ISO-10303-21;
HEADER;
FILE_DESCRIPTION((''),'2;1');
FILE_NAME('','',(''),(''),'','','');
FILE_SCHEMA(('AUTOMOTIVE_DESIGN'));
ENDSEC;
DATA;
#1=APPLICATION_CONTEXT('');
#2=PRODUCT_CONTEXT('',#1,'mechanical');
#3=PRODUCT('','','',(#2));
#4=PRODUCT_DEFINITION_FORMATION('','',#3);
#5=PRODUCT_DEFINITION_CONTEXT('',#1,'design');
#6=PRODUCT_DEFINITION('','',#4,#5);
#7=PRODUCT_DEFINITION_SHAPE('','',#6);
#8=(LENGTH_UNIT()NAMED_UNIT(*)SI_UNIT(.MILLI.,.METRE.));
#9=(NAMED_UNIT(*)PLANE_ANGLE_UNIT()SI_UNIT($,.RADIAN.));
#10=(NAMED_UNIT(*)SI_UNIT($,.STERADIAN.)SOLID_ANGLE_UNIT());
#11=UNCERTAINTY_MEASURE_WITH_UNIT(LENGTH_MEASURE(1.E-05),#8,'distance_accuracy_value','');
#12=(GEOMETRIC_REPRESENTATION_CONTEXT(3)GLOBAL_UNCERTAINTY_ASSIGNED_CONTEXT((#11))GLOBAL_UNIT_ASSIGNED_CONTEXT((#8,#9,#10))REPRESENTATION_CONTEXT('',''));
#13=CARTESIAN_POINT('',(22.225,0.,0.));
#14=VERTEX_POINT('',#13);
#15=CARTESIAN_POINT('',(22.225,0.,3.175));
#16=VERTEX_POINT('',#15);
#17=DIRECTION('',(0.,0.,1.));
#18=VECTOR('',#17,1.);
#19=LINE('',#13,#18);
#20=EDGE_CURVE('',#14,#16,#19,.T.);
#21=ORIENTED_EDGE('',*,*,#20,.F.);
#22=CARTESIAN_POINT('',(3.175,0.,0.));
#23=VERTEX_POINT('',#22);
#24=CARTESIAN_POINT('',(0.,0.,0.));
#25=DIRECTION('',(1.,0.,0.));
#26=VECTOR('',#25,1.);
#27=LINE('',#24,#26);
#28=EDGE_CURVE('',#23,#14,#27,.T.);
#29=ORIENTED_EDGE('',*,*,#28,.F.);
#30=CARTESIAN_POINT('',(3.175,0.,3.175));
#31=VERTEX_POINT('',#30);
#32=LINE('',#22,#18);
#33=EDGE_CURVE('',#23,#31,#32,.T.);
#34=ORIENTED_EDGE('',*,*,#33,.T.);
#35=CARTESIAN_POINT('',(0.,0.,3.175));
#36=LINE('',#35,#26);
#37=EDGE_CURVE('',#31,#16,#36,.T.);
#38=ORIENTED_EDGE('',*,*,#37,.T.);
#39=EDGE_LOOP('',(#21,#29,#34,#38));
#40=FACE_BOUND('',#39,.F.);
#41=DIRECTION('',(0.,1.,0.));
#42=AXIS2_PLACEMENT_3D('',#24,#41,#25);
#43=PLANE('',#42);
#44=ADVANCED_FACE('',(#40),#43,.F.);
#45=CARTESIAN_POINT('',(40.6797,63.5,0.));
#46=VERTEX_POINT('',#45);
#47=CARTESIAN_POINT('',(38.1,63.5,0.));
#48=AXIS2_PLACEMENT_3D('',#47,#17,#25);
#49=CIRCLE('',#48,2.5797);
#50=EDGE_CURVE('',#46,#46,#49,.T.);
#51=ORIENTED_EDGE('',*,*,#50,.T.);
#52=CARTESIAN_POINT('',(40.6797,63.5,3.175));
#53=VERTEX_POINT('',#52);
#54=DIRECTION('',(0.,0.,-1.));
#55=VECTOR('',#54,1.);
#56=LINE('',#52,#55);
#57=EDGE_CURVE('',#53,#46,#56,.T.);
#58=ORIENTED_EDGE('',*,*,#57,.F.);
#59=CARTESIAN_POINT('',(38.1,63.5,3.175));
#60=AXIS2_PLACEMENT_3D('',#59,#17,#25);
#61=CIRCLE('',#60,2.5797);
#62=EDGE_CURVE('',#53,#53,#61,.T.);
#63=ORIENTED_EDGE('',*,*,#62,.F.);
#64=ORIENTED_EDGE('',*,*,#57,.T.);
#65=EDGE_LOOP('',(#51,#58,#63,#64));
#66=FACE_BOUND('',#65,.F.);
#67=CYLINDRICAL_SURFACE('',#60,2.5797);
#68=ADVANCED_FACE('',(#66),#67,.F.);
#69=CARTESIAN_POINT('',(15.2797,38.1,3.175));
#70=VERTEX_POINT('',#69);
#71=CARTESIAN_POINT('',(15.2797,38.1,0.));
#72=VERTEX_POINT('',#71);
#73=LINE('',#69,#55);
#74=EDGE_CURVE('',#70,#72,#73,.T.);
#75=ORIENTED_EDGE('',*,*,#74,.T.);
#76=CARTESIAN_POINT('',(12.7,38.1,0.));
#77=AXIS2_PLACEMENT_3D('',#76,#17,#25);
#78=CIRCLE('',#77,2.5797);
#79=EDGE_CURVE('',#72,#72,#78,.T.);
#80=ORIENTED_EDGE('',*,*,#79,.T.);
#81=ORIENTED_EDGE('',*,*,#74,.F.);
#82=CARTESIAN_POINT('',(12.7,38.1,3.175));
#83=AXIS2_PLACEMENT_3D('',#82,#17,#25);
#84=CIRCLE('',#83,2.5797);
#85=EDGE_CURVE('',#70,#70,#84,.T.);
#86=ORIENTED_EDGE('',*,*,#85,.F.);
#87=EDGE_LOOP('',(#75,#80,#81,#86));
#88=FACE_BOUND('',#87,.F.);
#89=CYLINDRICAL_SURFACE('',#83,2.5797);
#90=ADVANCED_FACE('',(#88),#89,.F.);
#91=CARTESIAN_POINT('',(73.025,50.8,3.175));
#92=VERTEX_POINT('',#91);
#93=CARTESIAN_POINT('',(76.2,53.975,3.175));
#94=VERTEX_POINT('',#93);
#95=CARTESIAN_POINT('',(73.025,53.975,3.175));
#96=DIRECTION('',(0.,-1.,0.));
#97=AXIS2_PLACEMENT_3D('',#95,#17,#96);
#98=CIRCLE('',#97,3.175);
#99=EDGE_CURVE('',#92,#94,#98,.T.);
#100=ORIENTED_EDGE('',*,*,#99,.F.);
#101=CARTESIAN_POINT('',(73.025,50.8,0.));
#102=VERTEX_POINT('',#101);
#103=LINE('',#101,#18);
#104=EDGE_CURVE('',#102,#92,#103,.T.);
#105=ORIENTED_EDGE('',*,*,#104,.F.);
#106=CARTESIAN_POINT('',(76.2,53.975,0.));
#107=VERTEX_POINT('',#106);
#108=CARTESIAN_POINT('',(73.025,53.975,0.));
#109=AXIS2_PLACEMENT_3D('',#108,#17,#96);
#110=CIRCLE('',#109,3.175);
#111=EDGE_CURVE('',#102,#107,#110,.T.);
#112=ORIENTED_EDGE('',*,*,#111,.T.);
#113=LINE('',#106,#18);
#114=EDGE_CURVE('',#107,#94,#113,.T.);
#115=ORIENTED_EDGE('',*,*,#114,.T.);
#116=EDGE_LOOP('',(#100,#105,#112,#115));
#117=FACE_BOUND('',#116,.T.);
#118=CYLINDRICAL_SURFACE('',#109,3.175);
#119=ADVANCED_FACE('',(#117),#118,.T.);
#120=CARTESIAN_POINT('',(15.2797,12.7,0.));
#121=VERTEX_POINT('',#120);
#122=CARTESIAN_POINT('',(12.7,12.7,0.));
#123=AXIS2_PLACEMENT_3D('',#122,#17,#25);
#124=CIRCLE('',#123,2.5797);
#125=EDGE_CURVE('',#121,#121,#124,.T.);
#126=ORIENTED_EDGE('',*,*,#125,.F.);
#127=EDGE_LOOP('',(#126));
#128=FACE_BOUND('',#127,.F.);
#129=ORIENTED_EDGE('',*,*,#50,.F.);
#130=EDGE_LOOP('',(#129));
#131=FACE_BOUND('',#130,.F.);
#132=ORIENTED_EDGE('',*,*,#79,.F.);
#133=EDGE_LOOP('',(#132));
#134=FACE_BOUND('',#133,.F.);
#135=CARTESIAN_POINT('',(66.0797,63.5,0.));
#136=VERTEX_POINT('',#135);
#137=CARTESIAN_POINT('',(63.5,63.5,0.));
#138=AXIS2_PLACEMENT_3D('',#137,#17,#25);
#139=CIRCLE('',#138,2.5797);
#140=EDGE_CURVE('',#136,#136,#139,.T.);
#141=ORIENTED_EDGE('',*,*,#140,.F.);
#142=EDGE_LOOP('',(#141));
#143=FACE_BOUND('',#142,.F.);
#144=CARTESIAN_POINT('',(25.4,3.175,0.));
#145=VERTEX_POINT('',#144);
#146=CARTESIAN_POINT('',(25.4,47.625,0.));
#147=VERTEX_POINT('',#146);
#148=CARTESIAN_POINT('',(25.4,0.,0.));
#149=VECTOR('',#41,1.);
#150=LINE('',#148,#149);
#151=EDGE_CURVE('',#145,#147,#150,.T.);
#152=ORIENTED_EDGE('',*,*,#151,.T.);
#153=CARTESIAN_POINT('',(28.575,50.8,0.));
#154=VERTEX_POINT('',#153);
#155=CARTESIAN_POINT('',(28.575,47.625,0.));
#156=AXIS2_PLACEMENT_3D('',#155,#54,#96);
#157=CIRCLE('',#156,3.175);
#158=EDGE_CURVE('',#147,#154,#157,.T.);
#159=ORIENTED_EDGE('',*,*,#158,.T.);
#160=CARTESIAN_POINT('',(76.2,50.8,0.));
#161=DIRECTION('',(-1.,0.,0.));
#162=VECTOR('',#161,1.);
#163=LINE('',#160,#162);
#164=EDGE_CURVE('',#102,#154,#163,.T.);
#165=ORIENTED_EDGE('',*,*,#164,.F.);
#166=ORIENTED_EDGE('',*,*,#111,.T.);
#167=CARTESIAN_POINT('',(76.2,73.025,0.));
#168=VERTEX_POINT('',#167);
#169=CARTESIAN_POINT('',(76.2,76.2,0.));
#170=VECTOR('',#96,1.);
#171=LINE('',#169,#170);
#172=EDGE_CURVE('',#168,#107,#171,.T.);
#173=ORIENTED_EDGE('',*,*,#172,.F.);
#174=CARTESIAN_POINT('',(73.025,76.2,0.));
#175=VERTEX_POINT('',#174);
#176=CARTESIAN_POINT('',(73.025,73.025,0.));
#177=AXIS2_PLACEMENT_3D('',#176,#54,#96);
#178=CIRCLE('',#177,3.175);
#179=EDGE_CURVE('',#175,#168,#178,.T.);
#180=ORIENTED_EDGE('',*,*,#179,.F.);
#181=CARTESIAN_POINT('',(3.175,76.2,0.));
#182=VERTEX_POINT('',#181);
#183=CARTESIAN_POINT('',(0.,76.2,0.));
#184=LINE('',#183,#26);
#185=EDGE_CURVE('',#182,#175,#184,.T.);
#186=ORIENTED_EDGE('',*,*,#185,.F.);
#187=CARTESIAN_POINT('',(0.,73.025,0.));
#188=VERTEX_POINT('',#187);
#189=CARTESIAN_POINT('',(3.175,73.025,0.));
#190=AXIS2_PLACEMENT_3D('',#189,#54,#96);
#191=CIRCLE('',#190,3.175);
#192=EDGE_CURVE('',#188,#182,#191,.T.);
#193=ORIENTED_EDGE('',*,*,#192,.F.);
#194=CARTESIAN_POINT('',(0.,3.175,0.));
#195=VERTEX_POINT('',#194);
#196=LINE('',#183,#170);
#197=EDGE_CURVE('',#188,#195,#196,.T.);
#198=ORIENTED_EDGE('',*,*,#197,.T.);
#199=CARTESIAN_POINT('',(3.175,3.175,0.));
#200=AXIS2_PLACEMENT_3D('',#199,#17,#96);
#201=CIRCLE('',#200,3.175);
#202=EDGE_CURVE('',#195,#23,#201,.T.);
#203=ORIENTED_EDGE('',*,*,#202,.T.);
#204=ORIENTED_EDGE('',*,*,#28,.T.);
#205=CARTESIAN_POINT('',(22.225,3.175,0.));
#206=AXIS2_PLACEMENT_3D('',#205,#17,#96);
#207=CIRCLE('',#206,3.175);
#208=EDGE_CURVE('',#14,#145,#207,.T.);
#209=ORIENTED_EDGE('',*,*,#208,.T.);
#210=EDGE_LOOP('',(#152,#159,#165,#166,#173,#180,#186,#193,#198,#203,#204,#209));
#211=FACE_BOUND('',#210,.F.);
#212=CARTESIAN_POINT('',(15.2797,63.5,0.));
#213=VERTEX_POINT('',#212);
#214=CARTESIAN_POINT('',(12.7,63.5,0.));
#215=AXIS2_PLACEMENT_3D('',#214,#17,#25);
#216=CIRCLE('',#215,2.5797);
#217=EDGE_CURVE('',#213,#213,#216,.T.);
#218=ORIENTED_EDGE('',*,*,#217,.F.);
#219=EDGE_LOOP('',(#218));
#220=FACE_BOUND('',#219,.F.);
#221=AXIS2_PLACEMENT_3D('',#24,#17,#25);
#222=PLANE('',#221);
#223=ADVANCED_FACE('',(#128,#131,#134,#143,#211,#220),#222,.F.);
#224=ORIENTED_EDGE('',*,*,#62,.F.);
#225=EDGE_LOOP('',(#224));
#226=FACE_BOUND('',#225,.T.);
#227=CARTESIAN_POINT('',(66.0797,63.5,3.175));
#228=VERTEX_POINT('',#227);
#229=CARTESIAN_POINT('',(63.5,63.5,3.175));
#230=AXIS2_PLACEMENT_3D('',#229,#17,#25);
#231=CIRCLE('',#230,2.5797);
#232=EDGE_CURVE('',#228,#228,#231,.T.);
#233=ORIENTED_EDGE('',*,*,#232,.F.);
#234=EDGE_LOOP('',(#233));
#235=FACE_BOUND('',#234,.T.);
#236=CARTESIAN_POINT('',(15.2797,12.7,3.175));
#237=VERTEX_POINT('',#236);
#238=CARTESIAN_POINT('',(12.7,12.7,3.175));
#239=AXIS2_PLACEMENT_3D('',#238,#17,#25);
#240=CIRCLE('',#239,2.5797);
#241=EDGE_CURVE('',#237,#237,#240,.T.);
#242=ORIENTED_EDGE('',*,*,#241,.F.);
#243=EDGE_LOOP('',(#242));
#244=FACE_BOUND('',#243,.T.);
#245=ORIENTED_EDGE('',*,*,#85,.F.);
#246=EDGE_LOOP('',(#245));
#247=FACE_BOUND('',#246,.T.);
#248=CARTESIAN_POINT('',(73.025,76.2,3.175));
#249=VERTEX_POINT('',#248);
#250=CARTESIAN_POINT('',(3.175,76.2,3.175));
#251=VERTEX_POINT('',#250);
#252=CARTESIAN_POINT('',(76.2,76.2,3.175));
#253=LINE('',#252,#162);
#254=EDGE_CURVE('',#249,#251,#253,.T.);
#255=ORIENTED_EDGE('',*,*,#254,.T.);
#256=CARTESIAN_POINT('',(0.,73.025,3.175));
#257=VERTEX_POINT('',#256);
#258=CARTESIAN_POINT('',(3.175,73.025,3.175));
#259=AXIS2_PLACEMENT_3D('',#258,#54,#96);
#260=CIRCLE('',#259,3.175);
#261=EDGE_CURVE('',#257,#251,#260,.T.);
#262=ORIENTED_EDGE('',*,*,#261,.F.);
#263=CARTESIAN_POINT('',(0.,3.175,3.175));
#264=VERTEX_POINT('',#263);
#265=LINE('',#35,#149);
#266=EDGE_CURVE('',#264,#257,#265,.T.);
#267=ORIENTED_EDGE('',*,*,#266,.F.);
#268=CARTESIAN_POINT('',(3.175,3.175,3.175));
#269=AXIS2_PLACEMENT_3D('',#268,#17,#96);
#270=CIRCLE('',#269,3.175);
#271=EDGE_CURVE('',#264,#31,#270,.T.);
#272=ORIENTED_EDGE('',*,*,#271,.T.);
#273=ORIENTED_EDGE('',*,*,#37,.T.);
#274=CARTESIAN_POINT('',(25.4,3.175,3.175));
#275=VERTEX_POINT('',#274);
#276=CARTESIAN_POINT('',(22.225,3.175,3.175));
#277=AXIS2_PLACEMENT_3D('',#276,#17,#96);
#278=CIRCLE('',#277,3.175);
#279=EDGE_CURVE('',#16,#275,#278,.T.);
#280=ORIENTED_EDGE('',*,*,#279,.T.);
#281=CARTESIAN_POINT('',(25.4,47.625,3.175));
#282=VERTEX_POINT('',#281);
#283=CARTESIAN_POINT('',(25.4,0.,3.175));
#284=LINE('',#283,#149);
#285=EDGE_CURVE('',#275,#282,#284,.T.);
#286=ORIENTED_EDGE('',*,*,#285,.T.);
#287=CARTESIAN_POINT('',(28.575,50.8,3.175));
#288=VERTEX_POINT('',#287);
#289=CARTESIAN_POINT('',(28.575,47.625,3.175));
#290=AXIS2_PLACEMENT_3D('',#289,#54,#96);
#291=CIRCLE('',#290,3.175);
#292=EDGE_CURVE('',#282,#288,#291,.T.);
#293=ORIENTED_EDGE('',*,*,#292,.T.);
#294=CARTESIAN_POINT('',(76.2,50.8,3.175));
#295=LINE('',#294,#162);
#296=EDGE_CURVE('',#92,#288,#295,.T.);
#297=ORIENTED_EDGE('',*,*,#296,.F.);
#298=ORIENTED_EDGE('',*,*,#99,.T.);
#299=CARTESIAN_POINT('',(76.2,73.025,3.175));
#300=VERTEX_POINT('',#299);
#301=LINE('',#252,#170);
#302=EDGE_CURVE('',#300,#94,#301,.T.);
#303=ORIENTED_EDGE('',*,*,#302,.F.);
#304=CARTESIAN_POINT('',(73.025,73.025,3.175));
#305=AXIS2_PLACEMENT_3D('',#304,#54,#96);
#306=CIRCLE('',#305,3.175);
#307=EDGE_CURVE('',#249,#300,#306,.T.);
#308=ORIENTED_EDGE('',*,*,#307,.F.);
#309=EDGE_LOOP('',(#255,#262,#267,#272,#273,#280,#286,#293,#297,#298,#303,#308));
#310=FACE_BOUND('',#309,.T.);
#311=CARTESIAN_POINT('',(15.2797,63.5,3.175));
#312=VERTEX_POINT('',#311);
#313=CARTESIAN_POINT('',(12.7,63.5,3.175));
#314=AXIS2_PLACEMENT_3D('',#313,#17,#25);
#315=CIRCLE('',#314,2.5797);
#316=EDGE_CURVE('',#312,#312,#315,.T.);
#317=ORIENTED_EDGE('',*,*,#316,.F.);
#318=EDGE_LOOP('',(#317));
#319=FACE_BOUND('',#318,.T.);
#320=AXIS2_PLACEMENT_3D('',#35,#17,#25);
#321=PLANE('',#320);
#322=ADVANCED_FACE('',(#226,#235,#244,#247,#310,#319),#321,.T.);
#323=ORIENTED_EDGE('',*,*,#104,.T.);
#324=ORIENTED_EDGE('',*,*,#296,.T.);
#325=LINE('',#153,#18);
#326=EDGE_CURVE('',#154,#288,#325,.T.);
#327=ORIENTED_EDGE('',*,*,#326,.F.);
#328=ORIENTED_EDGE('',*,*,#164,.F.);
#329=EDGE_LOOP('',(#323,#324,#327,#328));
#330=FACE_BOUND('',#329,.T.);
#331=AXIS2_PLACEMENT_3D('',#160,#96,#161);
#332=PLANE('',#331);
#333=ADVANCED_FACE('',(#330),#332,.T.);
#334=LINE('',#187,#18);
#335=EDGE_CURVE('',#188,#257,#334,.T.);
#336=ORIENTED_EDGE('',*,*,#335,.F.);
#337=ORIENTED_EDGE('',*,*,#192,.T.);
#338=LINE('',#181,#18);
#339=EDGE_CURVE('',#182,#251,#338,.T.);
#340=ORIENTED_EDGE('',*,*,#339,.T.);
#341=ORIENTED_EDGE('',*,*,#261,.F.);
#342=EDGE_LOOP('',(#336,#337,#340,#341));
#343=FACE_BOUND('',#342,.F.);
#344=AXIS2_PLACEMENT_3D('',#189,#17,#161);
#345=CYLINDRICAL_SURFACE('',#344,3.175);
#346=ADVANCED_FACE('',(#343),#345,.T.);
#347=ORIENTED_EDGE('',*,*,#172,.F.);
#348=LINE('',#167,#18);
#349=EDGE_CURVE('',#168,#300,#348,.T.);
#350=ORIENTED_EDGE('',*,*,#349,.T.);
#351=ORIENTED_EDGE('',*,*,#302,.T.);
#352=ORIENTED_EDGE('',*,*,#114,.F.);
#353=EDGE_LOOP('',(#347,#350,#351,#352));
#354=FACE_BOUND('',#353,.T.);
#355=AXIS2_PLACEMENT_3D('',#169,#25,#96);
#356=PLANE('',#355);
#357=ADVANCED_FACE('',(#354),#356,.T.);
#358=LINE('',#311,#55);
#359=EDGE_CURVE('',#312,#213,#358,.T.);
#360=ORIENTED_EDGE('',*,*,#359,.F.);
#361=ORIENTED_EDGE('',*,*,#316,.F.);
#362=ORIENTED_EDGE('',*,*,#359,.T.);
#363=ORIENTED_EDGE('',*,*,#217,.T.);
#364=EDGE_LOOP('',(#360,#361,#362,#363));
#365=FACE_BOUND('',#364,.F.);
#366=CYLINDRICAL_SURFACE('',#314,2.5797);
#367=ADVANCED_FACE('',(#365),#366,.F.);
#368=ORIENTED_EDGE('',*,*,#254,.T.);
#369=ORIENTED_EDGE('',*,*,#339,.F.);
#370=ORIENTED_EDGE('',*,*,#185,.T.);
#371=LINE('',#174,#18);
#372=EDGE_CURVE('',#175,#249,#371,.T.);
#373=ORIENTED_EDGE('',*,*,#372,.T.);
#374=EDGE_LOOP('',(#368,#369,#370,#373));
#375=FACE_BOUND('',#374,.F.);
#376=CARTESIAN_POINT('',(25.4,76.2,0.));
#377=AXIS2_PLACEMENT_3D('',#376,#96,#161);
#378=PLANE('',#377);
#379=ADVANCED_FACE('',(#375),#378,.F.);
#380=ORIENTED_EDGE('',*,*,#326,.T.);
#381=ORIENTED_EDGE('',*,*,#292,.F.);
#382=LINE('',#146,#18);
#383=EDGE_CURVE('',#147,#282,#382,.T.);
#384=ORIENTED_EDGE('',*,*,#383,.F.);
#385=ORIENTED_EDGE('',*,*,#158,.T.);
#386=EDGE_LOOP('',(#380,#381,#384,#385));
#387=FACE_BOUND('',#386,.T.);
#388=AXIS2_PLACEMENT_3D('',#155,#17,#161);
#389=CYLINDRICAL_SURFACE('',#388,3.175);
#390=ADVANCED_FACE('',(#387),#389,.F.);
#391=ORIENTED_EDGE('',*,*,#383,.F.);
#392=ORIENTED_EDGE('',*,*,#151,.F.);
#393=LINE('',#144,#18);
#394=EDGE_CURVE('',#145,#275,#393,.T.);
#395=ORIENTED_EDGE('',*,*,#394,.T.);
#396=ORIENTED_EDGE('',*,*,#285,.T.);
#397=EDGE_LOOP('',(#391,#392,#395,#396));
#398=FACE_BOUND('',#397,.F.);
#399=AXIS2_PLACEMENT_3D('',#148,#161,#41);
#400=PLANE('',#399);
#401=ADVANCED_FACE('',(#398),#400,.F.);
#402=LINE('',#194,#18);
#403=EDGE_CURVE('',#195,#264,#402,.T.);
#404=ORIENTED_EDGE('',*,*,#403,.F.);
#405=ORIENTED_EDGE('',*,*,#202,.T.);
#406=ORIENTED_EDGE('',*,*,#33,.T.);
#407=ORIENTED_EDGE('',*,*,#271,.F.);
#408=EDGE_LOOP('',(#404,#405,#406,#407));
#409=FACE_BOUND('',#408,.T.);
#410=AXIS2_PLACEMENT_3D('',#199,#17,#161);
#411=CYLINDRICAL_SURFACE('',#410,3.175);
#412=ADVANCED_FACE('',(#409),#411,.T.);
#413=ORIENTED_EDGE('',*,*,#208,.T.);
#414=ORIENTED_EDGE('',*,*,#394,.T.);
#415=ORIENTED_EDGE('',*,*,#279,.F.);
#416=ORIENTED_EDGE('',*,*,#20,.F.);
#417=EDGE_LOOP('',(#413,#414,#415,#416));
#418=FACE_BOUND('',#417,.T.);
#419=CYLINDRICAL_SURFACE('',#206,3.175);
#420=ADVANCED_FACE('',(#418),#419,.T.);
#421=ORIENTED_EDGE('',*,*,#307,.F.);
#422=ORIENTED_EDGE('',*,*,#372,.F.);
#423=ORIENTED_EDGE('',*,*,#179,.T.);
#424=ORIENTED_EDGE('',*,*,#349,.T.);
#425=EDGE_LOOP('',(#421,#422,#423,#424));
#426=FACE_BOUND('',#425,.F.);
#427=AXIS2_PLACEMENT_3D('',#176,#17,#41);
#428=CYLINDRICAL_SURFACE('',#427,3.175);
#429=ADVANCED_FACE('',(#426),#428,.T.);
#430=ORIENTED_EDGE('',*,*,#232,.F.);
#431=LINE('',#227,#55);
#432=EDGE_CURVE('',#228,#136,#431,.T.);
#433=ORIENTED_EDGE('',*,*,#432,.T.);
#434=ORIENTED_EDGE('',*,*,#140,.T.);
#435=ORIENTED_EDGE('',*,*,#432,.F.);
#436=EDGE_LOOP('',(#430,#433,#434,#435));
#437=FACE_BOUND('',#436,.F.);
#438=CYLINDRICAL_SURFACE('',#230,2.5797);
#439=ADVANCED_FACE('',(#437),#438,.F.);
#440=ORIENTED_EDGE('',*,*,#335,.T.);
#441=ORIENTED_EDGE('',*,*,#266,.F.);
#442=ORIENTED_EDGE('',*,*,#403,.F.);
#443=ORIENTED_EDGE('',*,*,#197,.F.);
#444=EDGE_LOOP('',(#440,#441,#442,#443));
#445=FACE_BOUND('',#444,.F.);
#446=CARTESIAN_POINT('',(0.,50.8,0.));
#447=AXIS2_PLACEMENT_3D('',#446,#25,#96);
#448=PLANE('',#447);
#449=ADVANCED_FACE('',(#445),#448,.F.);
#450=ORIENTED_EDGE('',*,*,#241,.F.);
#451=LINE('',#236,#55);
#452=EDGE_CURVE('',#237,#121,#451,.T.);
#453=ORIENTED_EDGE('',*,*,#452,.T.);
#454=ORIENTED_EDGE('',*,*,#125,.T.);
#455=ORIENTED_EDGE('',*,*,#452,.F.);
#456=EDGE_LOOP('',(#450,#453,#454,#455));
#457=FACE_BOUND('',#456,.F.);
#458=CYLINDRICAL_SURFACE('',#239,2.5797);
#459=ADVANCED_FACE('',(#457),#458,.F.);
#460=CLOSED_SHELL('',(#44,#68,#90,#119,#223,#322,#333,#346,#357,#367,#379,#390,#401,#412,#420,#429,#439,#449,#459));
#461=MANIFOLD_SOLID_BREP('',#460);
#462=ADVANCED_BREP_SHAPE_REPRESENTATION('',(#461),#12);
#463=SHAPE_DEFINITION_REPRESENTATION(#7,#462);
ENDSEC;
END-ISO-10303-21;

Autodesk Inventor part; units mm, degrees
ref_plane "YZ Plane" through (0, 0, 0) normal (1, 0, 0) x (0, 1, 0)
ref_plane "XZ Plane" through (0, 0, 0) normal (0, 1, 0) x (-1, 0, 0)
ref_plane "XY Plane" through (0, 0, 0) normal (0, 0, 1) x (1, 0, 0)
sketch "Sketch1" plane through (0, 0, 0) normal (0, 0, 1) x (1, 0, 0)
  line L0 (0, 0) -> (25.4, 0)
  line L1 (25.4, 0) -> (25.4, 76.2)
  line L2 (25.4, 76.2) -> (0, 76.2)
  line L3 (0, 76.2) -> (0, 0)
  line L4 (0, 76.2) -> (76.2, 76.2)
  line L5 (76.2, 76.2) -> (76.2, 50.8)
  line L6 (76.2, 50.8) -> (0, 50.8)
  line L7 (0, 50.8) -> (0, 76.2)
  dimension "d0" = 25.4
  dimension "d1" = 76.2
  dimension "d2" = 76.2
  dimension "d3" = 25.4
extrude "Extrusion1" add sketch "Sketch1" along normal blind 3.175
sketch "Sketch2" plane through (0, 0, 3.175) normal (0, 0, 1) x (1, 0, 0)
  line L0 (0, 0) -> (25.4, 0) construction
  line L1 (12.7, 0) -> (12.7, 12.7) construction
  line L2 (12.7, 12.7) -> (12.7, 38.1) construction
  line L3 (12.7, 38.1) -> (12.7, 63.5) construction
  line L4 (12.7, 63.5) -> (38.1, 63.5) construction
  line L5 (38.1, 63.5) -> (63.5, 63.5) construction
  circle A0 centre (63.5, 63.5) radius 2.5797
  circle A1 centre (38.1, 63.5) radius 2.5797
  circle A2 centre (12.7, 63.5) radius 2.5797
  circle A3 centre (12.7, 38.1) radius 2.5797
  circle A4 centre (12.7, 12.7) radius 2.5797
  dimension "d6" = 12.7
  dimension "d7" = 25.4
  dimension "d8" = 25.4
  dimension "d11" = 25.4
  dimension "d12" = 25.4
  dimension "d13" = 5.1594
extrude "Extrusion2" cut sketch "Sketch2" against normal blind 3.175
fillet "Fillet1" radius 3.175 6 edges at (76.2, 76.2, 1.5875) (0, 76.2, 1.5875) (76.2, 50.8, 1.5875) (25.4, 50.8, 1.5875) (25.4, 0, 1.5875) (0, 0, 1.5875)
properties part number "0.125 L-Gusset"
